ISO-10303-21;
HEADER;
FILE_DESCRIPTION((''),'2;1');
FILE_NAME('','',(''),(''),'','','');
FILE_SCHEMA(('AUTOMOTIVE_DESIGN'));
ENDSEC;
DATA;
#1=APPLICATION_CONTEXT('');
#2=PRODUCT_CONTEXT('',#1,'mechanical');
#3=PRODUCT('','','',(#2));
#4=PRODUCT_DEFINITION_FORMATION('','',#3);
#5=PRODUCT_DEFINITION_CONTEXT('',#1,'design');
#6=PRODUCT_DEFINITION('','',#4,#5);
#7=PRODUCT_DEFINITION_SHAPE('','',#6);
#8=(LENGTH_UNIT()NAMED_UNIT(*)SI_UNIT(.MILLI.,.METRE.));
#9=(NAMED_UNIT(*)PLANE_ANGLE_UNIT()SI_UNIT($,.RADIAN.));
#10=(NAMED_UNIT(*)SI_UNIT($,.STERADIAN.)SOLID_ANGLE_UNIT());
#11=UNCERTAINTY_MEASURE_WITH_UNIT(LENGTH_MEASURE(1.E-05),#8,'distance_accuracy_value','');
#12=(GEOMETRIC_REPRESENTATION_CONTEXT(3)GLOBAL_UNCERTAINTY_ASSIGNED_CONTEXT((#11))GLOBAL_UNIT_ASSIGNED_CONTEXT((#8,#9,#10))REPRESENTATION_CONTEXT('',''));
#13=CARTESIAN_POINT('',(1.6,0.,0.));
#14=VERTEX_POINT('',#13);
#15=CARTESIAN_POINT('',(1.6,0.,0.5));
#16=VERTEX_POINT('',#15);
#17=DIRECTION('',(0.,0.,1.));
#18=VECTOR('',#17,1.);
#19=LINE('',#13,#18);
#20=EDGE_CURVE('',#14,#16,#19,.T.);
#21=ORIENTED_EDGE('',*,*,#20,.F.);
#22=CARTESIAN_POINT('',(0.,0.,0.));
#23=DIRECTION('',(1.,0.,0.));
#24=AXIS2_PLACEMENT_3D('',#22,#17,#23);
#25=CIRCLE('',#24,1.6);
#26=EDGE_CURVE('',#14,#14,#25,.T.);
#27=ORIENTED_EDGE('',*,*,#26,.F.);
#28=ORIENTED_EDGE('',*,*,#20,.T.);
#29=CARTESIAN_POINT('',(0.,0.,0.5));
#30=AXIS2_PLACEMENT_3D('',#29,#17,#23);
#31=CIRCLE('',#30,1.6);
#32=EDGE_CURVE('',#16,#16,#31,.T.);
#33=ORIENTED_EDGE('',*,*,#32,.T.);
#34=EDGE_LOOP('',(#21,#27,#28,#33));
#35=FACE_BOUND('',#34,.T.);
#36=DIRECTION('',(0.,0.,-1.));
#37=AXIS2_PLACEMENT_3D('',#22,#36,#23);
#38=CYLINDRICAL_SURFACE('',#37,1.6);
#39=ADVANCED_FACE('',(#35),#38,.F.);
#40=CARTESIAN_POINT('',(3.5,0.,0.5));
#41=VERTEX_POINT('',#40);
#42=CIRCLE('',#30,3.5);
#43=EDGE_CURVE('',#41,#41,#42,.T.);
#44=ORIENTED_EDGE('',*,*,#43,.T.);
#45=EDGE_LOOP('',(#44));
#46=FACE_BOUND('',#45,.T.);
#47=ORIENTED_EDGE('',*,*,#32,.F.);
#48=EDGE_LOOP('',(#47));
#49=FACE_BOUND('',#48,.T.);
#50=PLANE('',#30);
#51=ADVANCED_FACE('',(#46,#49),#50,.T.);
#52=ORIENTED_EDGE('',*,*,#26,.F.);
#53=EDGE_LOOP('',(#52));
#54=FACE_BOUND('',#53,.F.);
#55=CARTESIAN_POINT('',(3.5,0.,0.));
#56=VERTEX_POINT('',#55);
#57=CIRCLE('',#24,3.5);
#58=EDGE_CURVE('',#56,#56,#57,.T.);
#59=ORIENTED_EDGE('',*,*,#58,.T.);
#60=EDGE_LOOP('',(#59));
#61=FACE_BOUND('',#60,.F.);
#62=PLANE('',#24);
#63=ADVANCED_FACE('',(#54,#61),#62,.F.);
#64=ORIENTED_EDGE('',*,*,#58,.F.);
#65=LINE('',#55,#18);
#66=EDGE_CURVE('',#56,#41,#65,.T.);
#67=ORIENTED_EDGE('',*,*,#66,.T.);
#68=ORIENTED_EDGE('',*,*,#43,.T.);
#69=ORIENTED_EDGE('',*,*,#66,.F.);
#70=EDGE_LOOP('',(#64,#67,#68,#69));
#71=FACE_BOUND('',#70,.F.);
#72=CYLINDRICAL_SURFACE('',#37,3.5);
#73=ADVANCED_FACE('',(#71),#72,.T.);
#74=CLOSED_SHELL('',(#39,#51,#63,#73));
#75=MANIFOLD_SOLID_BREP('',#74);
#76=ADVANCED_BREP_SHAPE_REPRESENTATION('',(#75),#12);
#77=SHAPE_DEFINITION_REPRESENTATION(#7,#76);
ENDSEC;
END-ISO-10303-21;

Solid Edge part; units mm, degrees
sketch "Sketch1" plane through (0, 0, 0) normal (0, 0, 1) x (1, 0, 0)
  circle A0 centre (0, 0) radius 3.5
  circle A1 centre (0, 0) radius 1.6
  dimension "D1" = 3.2
  dimension "D2" = 7
extrude "Protrusion1" add sketch "Sketch1" along normal blind 0.5
properties part number "23" material "Acier"
